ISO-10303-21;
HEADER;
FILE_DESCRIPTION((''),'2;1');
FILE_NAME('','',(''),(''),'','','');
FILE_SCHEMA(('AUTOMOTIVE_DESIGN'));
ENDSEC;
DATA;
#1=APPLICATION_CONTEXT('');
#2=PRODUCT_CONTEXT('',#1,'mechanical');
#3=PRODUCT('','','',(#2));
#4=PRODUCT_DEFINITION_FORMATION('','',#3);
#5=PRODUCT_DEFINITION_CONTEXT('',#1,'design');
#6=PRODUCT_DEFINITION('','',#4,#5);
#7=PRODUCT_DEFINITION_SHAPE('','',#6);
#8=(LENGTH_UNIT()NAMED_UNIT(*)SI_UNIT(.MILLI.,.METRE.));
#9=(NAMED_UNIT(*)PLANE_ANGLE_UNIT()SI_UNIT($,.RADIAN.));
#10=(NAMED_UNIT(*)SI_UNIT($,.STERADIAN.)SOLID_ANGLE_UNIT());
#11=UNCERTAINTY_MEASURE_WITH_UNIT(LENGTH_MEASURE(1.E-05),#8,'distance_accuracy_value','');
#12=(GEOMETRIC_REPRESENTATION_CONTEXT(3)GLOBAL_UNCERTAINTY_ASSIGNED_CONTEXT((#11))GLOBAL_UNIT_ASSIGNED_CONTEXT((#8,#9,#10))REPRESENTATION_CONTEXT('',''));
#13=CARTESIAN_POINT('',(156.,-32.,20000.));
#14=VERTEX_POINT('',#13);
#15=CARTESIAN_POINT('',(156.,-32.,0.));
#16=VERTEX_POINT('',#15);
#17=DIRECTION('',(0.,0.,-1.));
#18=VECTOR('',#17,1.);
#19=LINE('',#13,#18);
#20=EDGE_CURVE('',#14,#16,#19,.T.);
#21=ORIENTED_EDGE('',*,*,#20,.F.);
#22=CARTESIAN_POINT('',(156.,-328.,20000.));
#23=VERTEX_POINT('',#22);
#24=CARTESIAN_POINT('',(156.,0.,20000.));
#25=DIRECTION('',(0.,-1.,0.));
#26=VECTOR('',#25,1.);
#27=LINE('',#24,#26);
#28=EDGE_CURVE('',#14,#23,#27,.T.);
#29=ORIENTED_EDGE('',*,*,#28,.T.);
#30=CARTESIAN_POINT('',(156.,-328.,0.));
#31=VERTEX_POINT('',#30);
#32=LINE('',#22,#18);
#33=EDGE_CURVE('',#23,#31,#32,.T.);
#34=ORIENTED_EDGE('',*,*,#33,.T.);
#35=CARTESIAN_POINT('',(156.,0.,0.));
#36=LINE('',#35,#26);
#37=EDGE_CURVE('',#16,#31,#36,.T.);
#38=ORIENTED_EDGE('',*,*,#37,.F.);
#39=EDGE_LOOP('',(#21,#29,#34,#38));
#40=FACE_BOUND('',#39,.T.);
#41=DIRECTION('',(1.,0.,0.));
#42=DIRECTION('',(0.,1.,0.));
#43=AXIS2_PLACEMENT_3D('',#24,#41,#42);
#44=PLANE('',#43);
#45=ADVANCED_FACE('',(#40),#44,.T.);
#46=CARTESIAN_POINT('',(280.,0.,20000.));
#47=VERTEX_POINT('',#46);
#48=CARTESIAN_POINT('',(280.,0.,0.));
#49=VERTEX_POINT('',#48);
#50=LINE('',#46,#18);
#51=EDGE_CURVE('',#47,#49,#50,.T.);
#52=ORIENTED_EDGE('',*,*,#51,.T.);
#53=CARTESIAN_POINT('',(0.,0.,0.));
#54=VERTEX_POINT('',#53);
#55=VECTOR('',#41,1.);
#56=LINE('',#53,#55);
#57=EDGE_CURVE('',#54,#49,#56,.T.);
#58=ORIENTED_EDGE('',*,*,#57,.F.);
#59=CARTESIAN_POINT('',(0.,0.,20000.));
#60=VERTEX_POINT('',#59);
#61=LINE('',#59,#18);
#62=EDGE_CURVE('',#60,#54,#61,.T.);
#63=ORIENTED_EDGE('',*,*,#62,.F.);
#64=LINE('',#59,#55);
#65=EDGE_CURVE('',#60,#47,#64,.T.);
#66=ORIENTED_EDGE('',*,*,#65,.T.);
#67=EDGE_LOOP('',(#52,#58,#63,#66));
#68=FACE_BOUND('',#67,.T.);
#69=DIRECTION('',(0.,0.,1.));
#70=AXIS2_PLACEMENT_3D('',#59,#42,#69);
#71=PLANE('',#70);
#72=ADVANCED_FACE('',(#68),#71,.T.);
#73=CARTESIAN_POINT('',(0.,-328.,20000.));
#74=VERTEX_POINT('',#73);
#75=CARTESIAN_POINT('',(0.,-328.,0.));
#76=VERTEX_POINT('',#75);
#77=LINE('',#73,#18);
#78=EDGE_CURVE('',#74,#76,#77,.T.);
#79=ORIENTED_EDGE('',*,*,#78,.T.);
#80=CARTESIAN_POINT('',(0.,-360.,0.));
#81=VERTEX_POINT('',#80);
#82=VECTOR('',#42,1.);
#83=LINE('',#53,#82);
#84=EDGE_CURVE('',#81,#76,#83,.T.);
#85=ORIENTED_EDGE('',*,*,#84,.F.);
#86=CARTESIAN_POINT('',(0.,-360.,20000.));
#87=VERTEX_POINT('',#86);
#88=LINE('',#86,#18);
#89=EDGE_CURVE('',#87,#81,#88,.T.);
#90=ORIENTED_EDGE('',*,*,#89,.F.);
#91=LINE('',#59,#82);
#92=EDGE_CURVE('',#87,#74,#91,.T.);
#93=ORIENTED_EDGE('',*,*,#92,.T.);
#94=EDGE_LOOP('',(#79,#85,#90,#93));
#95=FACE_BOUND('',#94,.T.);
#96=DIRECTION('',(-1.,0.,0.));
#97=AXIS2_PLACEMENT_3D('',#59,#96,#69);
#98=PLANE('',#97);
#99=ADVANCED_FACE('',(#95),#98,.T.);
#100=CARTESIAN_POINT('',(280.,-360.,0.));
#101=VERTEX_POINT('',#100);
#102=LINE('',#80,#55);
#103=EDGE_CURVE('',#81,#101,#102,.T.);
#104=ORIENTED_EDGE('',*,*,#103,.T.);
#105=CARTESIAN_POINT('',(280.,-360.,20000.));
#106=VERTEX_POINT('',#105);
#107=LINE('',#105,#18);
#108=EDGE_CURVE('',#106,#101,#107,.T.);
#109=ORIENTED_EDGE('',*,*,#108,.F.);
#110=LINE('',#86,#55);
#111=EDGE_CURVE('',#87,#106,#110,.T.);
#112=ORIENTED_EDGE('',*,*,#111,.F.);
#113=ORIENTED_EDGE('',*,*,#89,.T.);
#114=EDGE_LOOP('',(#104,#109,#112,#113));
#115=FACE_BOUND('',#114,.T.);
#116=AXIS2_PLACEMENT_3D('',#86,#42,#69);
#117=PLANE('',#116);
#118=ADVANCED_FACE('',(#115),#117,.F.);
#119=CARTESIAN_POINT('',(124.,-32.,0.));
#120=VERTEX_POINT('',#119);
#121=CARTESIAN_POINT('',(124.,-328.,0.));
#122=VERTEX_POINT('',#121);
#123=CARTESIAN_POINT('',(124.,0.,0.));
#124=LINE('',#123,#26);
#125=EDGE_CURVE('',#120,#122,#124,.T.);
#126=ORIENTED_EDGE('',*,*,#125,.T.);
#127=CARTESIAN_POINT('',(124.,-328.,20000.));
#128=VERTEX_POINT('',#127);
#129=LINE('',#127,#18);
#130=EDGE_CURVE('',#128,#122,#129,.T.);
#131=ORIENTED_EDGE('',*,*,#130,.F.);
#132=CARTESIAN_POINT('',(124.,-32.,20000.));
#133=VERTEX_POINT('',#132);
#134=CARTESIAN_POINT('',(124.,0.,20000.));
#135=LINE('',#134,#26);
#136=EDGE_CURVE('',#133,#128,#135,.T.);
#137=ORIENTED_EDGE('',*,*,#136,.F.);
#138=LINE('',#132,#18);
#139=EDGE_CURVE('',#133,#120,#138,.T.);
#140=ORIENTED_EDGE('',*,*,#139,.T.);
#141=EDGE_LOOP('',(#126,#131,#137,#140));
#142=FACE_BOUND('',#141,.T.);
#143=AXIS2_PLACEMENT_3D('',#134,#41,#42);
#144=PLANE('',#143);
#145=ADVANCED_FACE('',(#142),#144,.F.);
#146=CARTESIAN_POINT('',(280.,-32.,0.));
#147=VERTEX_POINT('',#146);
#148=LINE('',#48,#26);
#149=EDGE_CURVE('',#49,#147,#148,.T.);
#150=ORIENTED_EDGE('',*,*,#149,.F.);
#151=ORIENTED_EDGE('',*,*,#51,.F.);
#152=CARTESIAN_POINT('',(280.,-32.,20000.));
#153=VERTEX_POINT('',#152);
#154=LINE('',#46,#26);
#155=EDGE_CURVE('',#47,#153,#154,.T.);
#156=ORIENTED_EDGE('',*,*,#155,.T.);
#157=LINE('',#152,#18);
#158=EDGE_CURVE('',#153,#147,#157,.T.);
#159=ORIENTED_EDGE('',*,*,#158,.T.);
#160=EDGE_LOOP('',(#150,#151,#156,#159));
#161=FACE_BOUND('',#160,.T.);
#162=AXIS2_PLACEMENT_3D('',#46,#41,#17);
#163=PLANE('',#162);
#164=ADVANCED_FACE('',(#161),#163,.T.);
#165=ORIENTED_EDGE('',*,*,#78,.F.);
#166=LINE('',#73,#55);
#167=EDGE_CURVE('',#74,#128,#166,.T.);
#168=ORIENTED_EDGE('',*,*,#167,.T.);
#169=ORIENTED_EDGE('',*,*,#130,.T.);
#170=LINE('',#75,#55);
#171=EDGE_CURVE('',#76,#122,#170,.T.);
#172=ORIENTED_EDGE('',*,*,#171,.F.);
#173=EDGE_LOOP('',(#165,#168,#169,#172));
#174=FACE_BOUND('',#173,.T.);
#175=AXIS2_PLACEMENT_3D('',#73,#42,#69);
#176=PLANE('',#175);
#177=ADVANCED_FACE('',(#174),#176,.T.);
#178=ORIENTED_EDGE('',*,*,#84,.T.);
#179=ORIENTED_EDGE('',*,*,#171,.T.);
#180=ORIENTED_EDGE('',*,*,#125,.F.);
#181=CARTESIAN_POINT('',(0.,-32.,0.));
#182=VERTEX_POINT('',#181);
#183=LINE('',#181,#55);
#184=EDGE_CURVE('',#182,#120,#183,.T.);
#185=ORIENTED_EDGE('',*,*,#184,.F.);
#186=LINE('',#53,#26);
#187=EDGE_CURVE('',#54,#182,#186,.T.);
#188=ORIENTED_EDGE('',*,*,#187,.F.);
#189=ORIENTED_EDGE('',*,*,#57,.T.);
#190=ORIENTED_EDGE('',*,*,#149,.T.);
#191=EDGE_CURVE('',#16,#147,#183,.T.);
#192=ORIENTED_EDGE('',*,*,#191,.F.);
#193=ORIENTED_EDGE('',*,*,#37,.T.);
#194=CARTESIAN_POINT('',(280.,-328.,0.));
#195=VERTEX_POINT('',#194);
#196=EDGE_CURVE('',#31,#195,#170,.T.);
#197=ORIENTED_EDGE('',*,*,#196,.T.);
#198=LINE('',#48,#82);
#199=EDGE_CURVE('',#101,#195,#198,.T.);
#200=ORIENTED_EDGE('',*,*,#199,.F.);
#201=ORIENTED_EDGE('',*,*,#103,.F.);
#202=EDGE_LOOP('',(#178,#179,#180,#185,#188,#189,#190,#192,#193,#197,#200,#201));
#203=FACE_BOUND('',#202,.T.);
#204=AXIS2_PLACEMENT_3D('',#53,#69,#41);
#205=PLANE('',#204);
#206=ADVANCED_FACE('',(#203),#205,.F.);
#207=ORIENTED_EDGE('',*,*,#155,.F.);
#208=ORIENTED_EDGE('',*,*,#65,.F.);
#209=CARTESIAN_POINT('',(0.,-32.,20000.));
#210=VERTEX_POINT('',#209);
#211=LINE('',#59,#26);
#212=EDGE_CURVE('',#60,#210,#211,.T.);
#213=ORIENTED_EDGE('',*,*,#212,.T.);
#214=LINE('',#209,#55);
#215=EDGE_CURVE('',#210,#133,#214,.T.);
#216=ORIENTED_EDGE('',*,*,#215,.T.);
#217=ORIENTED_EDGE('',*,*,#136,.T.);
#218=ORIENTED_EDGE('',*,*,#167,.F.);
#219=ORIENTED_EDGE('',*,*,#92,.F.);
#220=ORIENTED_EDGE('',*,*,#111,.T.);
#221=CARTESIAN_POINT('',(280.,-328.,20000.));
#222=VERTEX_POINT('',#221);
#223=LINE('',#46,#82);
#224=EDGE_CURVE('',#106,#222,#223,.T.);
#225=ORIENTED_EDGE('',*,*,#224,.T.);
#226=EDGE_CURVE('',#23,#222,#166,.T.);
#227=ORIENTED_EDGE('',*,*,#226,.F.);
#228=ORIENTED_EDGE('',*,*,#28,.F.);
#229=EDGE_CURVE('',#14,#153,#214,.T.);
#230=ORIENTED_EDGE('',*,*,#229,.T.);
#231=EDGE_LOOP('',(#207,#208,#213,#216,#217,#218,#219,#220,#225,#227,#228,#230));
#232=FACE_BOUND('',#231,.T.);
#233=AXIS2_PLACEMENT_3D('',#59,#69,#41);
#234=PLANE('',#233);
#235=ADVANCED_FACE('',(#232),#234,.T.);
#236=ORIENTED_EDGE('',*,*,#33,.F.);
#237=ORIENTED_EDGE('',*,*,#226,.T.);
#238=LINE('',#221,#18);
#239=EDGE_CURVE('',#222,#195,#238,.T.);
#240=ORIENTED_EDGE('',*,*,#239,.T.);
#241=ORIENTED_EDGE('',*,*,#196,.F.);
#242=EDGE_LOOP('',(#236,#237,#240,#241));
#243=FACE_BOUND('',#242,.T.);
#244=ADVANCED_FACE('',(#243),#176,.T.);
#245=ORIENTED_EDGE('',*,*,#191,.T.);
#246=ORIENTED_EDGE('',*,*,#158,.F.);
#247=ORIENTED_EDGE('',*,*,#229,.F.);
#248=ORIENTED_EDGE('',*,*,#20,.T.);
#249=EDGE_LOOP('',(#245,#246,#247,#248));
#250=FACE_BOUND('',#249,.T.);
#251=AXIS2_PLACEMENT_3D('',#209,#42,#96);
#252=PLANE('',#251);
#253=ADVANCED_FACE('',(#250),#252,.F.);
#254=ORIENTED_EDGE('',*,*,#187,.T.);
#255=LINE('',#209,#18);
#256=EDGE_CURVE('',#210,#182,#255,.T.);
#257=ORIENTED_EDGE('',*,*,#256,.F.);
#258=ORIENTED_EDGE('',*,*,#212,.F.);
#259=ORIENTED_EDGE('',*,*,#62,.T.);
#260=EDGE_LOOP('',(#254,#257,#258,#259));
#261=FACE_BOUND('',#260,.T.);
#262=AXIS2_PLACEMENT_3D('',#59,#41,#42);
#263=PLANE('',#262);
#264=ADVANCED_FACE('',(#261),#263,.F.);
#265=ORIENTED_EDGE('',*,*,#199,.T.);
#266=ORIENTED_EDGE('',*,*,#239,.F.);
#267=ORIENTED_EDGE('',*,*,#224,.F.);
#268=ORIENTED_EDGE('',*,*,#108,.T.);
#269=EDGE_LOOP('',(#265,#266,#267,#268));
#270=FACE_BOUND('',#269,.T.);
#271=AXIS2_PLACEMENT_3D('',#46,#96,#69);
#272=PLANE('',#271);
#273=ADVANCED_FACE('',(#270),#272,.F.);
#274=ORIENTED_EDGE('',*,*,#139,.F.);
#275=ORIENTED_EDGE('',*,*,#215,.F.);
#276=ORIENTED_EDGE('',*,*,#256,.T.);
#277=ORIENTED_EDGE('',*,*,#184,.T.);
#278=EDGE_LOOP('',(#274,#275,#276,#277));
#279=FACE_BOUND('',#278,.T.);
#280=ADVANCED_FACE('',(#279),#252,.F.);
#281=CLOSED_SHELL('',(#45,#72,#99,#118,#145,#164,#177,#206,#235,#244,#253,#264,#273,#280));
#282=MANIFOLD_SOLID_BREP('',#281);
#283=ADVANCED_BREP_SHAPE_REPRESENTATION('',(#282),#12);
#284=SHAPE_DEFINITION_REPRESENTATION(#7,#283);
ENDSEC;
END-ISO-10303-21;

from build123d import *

# Parameters (mm, degrees)
BOSS_EXTRUDE1_DEPTH = 20000


with BuildPart() as part:
    # Sketch1 → Boss-Extrude1 (new body)
    with BuildSketch(Plane.XY):
        Polygon((156, -328), (280, -328), (280, -360), (0, -360), (0, -328), (124, -328), (124, -32), (0, -32), (0, 0), (280, 0), (280, -32), (156, -32), align=None)
    extrude(amount=BOSS_EXTRUDE1_DEPTH)


solid = part.part
